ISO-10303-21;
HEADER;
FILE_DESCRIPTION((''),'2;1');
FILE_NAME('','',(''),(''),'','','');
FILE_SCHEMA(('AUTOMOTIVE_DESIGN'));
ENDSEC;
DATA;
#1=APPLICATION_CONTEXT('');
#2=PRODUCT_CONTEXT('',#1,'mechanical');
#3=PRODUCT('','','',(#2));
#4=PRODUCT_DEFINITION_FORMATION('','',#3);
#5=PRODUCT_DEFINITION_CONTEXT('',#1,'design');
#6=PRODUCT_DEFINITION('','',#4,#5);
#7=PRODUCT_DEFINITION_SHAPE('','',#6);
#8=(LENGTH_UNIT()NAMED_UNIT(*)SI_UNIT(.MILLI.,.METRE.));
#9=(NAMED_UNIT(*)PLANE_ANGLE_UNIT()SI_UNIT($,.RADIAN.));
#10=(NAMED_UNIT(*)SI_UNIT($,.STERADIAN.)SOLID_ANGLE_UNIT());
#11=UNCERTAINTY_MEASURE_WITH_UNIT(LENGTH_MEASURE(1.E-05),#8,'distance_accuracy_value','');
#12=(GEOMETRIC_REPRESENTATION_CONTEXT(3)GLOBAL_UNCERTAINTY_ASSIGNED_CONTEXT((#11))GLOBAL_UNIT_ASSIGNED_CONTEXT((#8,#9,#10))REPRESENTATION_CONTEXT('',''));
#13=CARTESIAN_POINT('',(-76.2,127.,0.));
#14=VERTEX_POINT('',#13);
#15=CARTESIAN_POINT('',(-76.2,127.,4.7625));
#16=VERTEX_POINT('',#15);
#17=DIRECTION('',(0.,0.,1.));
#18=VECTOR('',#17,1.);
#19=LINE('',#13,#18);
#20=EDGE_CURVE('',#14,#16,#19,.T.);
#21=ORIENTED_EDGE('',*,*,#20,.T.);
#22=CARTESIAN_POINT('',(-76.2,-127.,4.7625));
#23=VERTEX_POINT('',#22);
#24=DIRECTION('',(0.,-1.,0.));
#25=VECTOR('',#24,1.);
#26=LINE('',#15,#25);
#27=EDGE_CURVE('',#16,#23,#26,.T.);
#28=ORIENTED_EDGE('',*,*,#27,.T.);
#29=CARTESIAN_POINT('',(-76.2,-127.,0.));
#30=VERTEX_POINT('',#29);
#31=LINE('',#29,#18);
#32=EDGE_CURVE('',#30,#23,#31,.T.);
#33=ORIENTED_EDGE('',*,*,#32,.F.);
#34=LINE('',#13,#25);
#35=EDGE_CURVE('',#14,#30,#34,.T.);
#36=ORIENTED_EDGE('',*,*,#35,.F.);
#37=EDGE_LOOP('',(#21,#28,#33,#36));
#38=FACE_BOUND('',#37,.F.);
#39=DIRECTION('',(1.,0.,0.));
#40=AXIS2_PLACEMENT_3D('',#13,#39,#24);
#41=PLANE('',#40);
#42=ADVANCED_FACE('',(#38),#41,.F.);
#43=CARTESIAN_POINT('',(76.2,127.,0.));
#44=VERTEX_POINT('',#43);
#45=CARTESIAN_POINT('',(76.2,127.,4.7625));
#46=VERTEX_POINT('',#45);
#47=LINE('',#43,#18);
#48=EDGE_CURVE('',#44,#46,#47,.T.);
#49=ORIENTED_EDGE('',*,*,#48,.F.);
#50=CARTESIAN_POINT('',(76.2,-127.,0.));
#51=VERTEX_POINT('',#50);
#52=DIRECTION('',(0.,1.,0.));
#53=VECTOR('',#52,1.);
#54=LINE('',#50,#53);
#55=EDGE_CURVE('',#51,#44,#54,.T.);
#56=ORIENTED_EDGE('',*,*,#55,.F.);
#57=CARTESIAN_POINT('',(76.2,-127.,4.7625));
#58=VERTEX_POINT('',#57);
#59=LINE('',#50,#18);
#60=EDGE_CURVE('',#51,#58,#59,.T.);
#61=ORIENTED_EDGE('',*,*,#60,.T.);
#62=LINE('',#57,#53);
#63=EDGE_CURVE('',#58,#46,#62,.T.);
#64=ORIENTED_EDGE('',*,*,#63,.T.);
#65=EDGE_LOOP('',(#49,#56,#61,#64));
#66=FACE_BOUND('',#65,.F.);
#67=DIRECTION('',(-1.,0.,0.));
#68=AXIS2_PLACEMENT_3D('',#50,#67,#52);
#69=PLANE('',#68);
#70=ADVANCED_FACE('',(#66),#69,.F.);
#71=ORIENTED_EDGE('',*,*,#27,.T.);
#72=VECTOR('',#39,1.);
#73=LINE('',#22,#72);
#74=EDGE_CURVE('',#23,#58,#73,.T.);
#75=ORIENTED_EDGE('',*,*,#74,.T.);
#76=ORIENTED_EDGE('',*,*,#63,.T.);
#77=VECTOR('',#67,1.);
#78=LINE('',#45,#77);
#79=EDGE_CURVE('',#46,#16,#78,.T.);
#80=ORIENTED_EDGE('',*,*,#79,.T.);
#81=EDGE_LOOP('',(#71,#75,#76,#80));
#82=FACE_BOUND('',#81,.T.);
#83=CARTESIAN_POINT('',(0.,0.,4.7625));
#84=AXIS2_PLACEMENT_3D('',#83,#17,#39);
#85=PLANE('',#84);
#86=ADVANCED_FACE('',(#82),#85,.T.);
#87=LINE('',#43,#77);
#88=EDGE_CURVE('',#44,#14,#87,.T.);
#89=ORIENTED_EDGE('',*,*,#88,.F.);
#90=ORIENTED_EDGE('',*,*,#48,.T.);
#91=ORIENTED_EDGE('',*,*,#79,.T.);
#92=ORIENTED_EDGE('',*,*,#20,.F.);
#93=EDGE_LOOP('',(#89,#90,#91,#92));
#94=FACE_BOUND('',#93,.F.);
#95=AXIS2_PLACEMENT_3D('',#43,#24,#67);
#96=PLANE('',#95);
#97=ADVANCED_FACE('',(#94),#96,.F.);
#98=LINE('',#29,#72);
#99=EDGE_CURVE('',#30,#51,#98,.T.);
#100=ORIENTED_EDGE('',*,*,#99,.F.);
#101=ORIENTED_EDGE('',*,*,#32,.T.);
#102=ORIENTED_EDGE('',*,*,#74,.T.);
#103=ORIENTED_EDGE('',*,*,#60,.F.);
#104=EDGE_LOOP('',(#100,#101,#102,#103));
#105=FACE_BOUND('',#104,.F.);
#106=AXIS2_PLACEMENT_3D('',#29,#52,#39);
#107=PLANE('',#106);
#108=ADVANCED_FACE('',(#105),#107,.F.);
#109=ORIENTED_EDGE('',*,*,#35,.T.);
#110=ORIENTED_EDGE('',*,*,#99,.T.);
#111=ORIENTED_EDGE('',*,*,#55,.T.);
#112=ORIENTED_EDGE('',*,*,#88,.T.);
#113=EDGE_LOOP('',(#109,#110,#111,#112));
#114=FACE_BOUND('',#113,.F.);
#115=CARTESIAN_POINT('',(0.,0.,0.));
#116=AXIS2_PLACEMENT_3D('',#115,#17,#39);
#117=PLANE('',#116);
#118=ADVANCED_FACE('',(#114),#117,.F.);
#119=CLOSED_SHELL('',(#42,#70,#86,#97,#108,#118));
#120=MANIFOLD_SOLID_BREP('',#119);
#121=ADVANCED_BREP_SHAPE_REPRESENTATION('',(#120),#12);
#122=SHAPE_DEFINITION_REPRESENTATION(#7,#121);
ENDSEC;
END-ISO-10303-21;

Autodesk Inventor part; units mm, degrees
ref_plane "YZ Plane" through (0, 0, 0) normal (1, 0, 0) x (0, 1, 0)
ref_plane "XZ Plane" through (0, 0, 0) normal (0, 1, 0) x (-1, 0, 0)
ref_plane "XY Plane" through (0, 0, 0) normal (0, 0, 1) x (1, 0, 0)
sketch "Sketch3" plane through (0, 0, 0) normal (0, 0, 1) x (1, 0, 0)
  line L0 (-76.2, -127) -> (76.2, -127)
  line L1 (76.2, -127) -> (76.2, 127)
  line L2 (76.2, 127) -> (-76.2, 127)
  line L3 (-76.2, 127) -> (-76.2, -127)
  line L4 (-76.2, -127) -> (76.2, 127) construction
  line L5 (76.2, -127) -> (-76.2, 127) construction
  point P0 (0, 0)
  dimension "d3" = 152.4
  dimension "d4" = 254
extrude "Plate2" add sketch "Sketch3" along normal blind 4.7625
equation "\"BendRadius\" = Thickness"
equation "\"BendReliefWidth\" = Thickness"
equation "\"BendReliefDepth\" = 0.5 * Thickness"
equation "\"CornerReliefSize\" = 4 * Thickness"
equation "\"MinimumRemnant\" = 2 * Thickness"
equation "\"TransitionRadius\" = BendRadius"
equation "\"JacobiRadiusSize\" = BendRadius"
equation "\"GapSize\" = Thickness"
equation "\"d2\" = BendRadius"
equation "\"d5\" = BendRadius"
equation "\"Thickness\" = 4.7625"
properties part number "LeftRightInner" material "Steel, Mild"
